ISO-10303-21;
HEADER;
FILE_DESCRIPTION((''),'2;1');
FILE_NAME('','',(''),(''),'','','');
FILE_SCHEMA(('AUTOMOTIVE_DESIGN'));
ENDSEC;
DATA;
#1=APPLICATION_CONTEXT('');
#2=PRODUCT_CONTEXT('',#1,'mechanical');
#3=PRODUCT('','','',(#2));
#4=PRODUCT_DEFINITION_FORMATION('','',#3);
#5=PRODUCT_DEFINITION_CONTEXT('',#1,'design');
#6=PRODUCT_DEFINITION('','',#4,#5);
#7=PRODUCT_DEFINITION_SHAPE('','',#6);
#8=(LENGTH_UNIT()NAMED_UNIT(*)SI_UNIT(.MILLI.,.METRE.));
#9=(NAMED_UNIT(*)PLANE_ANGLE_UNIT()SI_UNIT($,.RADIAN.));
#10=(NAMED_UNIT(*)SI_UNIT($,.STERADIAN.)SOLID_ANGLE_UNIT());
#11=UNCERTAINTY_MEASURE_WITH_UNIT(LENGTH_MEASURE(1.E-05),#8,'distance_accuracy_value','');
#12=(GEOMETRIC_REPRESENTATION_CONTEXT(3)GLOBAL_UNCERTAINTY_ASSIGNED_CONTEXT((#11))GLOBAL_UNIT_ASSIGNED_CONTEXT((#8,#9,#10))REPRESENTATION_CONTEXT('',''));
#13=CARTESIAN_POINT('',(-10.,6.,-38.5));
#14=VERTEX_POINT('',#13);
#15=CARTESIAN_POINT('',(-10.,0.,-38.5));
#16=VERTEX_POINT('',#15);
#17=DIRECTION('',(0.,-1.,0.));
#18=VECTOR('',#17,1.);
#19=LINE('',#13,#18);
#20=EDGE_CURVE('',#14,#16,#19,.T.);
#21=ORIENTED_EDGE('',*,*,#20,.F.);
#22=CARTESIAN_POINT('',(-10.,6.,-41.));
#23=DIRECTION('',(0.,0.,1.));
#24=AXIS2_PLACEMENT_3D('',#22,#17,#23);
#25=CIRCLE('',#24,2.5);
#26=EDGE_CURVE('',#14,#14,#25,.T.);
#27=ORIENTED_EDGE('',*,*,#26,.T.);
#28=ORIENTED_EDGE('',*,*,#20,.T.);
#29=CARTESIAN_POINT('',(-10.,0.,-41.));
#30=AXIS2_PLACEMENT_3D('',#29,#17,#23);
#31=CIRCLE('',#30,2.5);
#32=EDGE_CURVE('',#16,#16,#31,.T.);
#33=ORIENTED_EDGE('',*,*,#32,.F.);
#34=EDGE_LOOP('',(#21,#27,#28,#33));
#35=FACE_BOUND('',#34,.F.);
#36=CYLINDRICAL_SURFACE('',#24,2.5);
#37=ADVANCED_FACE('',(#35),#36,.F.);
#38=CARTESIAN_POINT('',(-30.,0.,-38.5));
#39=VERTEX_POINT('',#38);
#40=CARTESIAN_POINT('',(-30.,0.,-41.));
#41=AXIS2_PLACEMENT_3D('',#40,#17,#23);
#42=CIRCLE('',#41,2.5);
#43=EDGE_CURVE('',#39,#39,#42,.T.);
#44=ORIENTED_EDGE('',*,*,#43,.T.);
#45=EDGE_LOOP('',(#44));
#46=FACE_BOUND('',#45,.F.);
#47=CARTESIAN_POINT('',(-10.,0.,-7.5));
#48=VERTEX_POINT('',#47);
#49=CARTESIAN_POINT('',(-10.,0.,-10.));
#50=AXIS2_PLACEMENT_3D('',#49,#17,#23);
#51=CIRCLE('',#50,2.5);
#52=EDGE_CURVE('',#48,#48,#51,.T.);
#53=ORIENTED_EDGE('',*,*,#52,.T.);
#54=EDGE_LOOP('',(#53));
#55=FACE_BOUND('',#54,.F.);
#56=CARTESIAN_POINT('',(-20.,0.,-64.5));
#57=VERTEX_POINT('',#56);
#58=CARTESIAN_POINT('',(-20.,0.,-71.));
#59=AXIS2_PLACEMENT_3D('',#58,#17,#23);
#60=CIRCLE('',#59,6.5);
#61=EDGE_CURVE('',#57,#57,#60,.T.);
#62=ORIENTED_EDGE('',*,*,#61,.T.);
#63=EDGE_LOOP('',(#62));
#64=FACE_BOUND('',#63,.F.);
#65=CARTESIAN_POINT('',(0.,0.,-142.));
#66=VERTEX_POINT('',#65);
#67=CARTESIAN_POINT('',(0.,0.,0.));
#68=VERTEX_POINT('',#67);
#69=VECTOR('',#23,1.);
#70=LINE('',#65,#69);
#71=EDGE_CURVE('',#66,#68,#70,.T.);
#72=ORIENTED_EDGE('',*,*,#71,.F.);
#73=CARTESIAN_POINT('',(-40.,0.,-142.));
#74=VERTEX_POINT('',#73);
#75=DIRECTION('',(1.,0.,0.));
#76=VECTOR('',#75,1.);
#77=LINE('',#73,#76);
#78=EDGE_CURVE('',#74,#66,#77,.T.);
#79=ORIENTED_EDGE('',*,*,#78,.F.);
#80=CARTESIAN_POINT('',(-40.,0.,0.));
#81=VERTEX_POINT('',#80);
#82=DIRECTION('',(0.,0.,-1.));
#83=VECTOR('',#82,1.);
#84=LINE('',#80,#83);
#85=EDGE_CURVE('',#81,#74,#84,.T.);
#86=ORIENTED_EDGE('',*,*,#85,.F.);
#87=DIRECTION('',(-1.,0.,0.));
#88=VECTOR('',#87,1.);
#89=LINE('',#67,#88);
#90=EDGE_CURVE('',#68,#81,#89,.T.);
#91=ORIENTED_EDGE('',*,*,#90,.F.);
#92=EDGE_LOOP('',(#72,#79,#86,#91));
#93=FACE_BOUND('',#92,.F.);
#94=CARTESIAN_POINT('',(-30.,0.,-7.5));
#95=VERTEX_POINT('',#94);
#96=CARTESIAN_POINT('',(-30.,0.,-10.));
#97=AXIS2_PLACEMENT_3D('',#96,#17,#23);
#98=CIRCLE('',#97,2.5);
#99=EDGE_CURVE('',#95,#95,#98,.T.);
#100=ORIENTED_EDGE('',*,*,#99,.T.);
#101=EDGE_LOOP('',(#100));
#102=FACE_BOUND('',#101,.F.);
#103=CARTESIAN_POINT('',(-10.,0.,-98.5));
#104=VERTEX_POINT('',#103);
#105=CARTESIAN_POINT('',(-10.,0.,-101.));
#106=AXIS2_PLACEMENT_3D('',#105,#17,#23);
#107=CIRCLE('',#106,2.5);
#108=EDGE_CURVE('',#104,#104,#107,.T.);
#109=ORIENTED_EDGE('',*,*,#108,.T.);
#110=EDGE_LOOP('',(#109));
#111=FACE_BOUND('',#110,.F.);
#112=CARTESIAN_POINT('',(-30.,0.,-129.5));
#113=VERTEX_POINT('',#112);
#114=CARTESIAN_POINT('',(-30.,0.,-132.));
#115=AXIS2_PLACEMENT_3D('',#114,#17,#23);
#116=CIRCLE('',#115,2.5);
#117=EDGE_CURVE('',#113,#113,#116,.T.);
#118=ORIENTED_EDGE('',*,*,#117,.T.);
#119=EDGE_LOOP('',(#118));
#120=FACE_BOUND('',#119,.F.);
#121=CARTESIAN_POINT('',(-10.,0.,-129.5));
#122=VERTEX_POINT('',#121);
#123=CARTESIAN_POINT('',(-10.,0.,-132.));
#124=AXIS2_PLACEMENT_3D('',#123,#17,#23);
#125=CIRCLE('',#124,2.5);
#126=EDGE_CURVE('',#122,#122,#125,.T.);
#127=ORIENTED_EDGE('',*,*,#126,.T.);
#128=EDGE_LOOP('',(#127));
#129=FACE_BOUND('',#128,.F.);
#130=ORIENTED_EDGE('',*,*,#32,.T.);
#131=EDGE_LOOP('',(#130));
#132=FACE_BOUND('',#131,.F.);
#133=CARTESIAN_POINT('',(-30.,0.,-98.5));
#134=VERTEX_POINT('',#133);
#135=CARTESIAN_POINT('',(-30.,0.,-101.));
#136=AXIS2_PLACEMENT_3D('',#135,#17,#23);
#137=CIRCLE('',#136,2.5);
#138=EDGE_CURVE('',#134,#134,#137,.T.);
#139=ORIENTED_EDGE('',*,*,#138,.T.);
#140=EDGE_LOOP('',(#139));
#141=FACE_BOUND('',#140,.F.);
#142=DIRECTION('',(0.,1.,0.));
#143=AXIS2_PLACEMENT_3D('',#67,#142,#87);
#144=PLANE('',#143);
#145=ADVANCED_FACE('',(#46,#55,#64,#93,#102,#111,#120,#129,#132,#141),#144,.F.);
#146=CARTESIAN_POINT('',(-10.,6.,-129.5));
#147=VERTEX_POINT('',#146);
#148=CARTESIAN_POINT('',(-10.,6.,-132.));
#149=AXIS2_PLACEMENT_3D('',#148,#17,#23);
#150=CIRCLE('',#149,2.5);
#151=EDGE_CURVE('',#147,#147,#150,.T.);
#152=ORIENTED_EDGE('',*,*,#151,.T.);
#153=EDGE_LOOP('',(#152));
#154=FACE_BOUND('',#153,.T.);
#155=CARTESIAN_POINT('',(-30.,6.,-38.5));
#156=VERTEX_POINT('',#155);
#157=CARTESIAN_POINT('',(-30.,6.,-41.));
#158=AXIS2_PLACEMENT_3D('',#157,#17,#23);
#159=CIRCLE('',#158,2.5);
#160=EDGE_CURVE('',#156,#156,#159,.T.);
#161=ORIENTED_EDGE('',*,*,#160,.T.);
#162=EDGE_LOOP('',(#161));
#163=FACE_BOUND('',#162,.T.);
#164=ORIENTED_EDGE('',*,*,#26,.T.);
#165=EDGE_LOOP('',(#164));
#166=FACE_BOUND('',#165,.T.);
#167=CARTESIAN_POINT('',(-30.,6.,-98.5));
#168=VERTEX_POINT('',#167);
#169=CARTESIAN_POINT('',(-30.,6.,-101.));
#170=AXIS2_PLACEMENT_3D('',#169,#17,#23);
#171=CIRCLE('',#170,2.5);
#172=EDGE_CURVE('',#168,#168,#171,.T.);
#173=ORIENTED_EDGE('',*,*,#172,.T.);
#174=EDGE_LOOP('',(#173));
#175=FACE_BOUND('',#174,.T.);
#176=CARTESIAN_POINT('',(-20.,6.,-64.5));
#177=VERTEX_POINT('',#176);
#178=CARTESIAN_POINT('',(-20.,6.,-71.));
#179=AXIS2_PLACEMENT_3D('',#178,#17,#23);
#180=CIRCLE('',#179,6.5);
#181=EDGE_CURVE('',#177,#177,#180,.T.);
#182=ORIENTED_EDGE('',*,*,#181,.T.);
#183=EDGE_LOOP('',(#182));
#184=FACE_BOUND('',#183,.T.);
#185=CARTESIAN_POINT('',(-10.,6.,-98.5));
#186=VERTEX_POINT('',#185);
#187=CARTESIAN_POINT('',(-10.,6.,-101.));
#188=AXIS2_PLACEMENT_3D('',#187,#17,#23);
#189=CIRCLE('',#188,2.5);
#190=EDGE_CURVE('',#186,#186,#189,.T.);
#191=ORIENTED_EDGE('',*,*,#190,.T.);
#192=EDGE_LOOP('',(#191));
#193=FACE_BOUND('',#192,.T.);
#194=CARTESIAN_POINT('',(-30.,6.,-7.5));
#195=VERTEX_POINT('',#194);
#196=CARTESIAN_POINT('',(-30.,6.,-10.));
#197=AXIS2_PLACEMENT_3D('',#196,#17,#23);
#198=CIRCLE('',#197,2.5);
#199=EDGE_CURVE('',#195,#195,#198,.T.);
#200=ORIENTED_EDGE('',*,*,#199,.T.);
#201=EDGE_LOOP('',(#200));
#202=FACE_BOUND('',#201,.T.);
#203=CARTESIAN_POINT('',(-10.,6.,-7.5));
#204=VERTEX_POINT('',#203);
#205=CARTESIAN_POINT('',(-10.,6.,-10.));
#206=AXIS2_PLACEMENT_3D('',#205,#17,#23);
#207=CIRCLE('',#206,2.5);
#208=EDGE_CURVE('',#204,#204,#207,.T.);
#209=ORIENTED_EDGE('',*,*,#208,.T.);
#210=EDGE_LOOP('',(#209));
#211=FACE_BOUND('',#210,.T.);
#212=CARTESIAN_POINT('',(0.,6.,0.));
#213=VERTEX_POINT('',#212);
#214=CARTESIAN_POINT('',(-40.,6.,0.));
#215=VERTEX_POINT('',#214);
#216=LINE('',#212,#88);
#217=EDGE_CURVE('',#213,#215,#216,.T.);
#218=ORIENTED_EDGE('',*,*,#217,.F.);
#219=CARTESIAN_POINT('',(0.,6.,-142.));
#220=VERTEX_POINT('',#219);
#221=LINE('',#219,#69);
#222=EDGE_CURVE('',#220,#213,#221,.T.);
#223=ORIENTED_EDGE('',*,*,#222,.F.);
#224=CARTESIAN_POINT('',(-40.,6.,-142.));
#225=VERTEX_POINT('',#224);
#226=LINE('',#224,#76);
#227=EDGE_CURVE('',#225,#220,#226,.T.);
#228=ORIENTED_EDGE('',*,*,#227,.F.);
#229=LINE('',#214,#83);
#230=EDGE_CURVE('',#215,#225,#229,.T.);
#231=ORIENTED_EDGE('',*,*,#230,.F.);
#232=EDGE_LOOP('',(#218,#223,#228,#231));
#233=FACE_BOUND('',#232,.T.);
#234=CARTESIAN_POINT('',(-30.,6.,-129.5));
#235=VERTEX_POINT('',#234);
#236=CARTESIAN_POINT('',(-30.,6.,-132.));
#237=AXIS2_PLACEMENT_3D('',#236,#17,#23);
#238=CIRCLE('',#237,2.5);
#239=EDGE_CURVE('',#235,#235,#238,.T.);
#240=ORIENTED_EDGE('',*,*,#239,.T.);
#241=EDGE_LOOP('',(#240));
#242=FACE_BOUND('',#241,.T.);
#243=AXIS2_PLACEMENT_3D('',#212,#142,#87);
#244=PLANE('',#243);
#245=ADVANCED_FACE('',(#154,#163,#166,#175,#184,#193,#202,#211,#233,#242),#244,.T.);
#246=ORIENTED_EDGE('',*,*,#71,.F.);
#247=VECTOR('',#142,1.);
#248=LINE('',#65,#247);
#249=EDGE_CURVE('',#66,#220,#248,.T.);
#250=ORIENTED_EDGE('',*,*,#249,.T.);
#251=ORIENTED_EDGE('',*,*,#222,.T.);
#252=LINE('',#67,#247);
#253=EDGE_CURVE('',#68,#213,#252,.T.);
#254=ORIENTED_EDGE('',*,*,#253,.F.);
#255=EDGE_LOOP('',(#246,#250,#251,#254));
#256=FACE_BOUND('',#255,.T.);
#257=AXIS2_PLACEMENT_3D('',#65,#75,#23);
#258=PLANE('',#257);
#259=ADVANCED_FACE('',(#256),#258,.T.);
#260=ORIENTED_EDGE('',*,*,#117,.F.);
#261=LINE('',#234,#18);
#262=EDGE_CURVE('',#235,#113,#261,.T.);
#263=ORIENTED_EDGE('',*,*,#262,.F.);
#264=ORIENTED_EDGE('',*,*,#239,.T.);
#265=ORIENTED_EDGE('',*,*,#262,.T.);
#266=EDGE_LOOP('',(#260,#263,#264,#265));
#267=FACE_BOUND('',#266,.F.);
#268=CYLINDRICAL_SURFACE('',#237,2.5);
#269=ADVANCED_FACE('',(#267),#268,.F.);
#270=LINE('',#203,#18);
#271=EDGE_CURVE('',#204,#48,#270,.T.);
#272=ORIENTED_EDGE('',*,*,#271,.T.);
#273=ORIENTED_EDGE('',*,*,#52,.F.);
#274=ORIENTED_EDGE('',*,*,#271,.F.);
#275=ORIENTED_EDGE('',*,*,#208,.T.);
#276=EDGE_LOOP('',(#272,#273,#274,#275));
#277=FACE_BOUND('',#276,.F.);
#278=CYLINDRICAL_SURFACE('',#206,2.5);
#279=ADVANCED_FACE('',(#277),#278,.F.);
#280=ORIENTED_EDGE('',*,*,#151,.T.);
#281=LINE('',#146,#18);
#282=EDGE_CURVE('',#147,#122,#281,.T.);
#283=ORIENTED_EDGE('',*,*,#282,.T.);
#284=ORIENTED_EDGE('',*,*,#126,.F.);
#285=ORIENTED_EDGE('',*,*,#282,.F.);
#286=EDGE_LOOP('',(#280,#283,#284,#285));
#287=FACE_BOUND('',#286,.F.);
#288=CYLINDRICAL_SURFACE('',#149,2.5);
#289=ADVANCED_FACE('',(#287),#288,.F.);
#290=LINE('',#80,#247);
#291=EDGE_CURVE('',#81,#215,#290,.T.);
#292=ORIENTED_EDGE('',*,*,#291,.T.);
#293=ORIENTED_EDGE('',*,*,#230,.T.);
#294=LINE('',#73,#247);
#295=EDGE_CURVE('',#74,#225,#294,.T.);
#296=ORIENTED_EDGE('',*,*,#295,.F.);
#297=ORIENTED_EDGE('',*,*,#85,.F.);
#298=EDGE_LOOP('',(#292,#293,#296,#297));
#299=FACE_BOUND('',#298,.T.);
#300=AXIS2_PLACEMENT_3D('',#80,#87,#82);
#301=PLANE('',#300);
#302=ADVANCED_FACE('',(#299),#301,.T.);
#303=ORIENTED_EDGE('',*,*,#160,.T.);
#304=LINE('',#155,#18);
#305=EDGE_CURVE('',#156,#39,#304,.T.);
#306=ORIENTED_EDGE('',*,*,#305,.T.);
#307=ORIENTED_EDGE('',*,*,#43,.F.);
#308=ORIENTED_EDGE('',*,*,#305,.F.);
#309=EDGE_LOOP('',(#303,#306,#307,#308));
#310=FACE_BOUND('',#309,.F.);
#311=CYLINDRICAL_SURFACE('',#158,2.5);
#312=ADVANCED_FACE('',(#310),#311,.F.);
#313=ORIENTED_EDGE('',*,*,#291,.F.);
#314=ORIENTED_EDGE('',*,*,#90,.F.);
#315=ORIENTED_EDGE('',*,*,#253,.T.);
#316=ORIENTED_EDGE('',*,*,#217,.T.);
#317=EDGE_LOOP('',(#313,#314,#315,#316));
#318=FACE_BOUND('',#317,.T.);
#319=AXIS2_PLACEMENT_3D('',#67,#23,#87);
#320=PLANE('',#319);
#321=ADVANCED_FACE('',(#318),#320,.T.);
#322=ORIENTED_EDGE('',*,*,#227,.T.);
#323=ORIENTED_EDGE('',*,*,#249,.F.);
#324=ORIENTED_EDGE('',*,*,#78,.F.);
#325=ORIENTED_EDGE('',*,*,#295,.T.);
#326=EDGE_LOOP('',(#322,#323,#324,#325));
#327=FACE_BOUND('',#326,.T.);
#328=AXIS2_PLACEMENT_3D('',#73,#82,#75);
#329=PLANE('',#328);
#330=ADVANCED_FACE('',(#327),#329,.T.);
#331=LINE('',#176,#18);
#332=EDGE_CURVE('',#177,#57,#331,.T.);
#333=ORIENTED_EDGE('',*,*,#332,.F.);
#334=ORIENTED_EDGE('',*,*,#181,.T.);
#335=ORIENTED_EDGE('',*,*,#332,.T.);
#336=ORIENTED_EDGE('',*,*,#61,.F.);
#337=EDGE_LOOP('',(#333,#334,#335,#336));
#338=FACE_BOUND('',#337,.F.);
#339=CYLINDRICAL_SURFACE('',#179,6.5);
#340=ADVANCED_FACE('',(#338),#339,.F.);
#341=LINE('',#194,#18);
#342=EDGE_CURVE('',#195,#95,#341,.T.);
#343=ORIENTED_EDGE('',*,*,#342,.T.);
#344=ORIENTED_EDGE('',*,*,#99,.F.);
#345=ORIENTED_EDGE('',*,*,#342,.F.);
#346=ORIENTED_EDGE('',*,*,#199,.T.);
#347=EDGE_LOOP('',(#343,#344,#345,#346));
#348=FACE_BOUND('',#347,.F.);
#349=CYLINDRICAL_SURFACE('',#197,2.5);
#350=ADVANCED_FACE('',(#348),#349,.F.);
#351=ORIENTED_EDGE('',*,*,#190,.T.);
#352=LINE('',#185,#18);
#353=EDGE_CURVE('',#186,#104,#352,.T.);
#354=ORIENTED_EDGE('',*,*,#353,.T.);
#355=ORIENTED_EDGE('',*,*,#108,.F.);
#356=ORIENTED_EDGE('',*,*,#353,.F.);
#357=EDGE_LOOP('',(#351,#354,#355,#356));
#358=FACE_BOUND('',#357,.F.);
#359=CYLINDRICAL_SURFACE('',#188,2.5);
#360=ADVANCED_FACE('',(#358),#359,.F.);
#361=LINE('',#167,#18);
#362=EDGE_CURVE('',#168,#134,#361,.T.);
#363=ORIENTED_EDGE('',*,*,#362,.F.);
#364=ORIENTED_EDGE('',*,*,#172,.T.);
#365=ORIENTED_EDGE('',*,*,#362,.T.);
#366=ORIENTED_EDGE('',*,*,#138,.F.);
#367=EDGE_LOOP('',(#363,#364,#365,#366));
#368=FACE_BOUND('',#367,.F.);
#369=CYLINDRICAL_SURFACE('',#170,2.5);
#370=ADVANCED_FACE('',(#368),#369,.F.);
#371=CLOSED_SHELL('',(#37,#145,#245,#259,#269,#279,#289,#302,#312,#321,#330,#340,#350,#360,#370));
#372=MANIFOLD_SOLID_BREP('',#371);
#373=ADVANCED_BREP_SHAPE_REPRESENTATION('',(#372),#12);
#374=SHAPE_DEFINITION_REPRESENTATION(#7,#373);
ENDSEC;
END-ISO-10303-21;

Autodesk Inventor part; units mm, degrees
ref_plane "YZ Plane" through (0, 0, 0) normal (1, 0, 0) x (0, 1, 0)
ref_plane "XZ Plane" through (0, 0, 0) normal (0, 1, 0) x (-1, 0, 0)
ref_plane "XY Plane" through (0, 0, 0) normal (0, 0, 1) x (1, 0, 0)
sketch "Esboço1" plane through (0, 0, 0) normal (0, 1, 0) x (-1, 0, 0)
  line L0 (0, 0) -> (40, 0)
  line L1 (40, 0) -> (40, -142)
  line L2 (40, -142) -> (0, -142)
  line L3 (0, -142) -> (0, 0)
  dimension "d0" = 40
  dimension "d1" = 142
extrude "Extrusão1" add sketch "Esboço1" along normal blind 6
sketch "Esboço2" plane through (0, 6, 0) normal (0, 1, 0) x (1, 0, 0)
  line L0 (-40, 142) -> (-40, 0) projected
  line L1 (-40, 0) -> (0, 0) projected
  point P0 (-20, 71)
  dimension "d4" = 142
  dimension "d5" = 40
  dimension "d6" = 20
  dimension "d7" = 71
hole "Furo1" at (-20, 6, -71) direction (0, -1, 0) diameter 13 depth 6
sketch "Esboço4" plane through (0, 6, 0) normal (0, 1, 0) x (1, 0, 0)
  line L0 (0, 142) -> (-40, 142) projected
  line L1 (0, 0) -> (0, 142) projected
  line L2 (-40, 0) -> (0, 0) projected
  line L3 (-40, 142) -> (-40, 0) projected
  circle A0 centre (-20, 71) radius 6.5 projected
  point P0 (-10, 10)
  point P1 (-10, 132)
  point P2 (-20, 0)
  point P3 (-30, 132)
  point P4 (-30, 10)
  point P5 (-30, 101)
  point P6 (-10, 101)
  point P7 (-10, 41)
  point P8 (-30, 41)
  dimension "d45" = 40
  dimension "d46" = 10
  dimension "d47" = 10
  dimension "d48" = 10
  dimension "d49" = 10
  dimension "d57" = 10
  dimension "d58" = 10
  dimension "d59" = 10
  dimension "d60" = 60
  dimension "d61" = 30
hole "Furo3" at (-10, 6, -10) at (-10, 6, -132) at (-30, 6, -10) at (-30, 6, -132) at (-30, 6, -41) at (-10, 6, -41) at (-30, 6, -101) at (-10, 6, -101) direction (0, -1, 0) diameter 5 end through all
equation "\"d6\" = 0.5 * d5"
equation "\"d7\" = 0.5 * d4"
equation "\"d13\" = Espessura"
equation "\"d48\" = d47"
equation "\"d57\" = d49"
equation "\"d58\" = d46"
equation "\"d59\" = d47"
equation "\"d61\" = 0.5 * d60"
equation "\"d55\" = Espessura"
equation "\"Raio_vergadura\" = Espessura"
equation "\"Largura_alívio_de_vergadura\" = Espessura"
equation "\"Profundidade_alívio_de_vergadura\" = 0.5 * Espessura"
equation "\"Tamanho_alívio_de_dobra\" = 4 * Espessura"
equation "\"Remanescente_mínimo\" = 2 * Espessura"
equation "\"Raiodetransição\" = Raio_vergadura"
equation "\"Tamanho_de_raio_de_Jacobi\" = Raio_vergadura"
equation "\"TamanhoFolga\" = Espessura"
equation "\"Espessura\" = 0.5"
properties part number "Suporte superior do eixo" material "Aluminum 6061"
